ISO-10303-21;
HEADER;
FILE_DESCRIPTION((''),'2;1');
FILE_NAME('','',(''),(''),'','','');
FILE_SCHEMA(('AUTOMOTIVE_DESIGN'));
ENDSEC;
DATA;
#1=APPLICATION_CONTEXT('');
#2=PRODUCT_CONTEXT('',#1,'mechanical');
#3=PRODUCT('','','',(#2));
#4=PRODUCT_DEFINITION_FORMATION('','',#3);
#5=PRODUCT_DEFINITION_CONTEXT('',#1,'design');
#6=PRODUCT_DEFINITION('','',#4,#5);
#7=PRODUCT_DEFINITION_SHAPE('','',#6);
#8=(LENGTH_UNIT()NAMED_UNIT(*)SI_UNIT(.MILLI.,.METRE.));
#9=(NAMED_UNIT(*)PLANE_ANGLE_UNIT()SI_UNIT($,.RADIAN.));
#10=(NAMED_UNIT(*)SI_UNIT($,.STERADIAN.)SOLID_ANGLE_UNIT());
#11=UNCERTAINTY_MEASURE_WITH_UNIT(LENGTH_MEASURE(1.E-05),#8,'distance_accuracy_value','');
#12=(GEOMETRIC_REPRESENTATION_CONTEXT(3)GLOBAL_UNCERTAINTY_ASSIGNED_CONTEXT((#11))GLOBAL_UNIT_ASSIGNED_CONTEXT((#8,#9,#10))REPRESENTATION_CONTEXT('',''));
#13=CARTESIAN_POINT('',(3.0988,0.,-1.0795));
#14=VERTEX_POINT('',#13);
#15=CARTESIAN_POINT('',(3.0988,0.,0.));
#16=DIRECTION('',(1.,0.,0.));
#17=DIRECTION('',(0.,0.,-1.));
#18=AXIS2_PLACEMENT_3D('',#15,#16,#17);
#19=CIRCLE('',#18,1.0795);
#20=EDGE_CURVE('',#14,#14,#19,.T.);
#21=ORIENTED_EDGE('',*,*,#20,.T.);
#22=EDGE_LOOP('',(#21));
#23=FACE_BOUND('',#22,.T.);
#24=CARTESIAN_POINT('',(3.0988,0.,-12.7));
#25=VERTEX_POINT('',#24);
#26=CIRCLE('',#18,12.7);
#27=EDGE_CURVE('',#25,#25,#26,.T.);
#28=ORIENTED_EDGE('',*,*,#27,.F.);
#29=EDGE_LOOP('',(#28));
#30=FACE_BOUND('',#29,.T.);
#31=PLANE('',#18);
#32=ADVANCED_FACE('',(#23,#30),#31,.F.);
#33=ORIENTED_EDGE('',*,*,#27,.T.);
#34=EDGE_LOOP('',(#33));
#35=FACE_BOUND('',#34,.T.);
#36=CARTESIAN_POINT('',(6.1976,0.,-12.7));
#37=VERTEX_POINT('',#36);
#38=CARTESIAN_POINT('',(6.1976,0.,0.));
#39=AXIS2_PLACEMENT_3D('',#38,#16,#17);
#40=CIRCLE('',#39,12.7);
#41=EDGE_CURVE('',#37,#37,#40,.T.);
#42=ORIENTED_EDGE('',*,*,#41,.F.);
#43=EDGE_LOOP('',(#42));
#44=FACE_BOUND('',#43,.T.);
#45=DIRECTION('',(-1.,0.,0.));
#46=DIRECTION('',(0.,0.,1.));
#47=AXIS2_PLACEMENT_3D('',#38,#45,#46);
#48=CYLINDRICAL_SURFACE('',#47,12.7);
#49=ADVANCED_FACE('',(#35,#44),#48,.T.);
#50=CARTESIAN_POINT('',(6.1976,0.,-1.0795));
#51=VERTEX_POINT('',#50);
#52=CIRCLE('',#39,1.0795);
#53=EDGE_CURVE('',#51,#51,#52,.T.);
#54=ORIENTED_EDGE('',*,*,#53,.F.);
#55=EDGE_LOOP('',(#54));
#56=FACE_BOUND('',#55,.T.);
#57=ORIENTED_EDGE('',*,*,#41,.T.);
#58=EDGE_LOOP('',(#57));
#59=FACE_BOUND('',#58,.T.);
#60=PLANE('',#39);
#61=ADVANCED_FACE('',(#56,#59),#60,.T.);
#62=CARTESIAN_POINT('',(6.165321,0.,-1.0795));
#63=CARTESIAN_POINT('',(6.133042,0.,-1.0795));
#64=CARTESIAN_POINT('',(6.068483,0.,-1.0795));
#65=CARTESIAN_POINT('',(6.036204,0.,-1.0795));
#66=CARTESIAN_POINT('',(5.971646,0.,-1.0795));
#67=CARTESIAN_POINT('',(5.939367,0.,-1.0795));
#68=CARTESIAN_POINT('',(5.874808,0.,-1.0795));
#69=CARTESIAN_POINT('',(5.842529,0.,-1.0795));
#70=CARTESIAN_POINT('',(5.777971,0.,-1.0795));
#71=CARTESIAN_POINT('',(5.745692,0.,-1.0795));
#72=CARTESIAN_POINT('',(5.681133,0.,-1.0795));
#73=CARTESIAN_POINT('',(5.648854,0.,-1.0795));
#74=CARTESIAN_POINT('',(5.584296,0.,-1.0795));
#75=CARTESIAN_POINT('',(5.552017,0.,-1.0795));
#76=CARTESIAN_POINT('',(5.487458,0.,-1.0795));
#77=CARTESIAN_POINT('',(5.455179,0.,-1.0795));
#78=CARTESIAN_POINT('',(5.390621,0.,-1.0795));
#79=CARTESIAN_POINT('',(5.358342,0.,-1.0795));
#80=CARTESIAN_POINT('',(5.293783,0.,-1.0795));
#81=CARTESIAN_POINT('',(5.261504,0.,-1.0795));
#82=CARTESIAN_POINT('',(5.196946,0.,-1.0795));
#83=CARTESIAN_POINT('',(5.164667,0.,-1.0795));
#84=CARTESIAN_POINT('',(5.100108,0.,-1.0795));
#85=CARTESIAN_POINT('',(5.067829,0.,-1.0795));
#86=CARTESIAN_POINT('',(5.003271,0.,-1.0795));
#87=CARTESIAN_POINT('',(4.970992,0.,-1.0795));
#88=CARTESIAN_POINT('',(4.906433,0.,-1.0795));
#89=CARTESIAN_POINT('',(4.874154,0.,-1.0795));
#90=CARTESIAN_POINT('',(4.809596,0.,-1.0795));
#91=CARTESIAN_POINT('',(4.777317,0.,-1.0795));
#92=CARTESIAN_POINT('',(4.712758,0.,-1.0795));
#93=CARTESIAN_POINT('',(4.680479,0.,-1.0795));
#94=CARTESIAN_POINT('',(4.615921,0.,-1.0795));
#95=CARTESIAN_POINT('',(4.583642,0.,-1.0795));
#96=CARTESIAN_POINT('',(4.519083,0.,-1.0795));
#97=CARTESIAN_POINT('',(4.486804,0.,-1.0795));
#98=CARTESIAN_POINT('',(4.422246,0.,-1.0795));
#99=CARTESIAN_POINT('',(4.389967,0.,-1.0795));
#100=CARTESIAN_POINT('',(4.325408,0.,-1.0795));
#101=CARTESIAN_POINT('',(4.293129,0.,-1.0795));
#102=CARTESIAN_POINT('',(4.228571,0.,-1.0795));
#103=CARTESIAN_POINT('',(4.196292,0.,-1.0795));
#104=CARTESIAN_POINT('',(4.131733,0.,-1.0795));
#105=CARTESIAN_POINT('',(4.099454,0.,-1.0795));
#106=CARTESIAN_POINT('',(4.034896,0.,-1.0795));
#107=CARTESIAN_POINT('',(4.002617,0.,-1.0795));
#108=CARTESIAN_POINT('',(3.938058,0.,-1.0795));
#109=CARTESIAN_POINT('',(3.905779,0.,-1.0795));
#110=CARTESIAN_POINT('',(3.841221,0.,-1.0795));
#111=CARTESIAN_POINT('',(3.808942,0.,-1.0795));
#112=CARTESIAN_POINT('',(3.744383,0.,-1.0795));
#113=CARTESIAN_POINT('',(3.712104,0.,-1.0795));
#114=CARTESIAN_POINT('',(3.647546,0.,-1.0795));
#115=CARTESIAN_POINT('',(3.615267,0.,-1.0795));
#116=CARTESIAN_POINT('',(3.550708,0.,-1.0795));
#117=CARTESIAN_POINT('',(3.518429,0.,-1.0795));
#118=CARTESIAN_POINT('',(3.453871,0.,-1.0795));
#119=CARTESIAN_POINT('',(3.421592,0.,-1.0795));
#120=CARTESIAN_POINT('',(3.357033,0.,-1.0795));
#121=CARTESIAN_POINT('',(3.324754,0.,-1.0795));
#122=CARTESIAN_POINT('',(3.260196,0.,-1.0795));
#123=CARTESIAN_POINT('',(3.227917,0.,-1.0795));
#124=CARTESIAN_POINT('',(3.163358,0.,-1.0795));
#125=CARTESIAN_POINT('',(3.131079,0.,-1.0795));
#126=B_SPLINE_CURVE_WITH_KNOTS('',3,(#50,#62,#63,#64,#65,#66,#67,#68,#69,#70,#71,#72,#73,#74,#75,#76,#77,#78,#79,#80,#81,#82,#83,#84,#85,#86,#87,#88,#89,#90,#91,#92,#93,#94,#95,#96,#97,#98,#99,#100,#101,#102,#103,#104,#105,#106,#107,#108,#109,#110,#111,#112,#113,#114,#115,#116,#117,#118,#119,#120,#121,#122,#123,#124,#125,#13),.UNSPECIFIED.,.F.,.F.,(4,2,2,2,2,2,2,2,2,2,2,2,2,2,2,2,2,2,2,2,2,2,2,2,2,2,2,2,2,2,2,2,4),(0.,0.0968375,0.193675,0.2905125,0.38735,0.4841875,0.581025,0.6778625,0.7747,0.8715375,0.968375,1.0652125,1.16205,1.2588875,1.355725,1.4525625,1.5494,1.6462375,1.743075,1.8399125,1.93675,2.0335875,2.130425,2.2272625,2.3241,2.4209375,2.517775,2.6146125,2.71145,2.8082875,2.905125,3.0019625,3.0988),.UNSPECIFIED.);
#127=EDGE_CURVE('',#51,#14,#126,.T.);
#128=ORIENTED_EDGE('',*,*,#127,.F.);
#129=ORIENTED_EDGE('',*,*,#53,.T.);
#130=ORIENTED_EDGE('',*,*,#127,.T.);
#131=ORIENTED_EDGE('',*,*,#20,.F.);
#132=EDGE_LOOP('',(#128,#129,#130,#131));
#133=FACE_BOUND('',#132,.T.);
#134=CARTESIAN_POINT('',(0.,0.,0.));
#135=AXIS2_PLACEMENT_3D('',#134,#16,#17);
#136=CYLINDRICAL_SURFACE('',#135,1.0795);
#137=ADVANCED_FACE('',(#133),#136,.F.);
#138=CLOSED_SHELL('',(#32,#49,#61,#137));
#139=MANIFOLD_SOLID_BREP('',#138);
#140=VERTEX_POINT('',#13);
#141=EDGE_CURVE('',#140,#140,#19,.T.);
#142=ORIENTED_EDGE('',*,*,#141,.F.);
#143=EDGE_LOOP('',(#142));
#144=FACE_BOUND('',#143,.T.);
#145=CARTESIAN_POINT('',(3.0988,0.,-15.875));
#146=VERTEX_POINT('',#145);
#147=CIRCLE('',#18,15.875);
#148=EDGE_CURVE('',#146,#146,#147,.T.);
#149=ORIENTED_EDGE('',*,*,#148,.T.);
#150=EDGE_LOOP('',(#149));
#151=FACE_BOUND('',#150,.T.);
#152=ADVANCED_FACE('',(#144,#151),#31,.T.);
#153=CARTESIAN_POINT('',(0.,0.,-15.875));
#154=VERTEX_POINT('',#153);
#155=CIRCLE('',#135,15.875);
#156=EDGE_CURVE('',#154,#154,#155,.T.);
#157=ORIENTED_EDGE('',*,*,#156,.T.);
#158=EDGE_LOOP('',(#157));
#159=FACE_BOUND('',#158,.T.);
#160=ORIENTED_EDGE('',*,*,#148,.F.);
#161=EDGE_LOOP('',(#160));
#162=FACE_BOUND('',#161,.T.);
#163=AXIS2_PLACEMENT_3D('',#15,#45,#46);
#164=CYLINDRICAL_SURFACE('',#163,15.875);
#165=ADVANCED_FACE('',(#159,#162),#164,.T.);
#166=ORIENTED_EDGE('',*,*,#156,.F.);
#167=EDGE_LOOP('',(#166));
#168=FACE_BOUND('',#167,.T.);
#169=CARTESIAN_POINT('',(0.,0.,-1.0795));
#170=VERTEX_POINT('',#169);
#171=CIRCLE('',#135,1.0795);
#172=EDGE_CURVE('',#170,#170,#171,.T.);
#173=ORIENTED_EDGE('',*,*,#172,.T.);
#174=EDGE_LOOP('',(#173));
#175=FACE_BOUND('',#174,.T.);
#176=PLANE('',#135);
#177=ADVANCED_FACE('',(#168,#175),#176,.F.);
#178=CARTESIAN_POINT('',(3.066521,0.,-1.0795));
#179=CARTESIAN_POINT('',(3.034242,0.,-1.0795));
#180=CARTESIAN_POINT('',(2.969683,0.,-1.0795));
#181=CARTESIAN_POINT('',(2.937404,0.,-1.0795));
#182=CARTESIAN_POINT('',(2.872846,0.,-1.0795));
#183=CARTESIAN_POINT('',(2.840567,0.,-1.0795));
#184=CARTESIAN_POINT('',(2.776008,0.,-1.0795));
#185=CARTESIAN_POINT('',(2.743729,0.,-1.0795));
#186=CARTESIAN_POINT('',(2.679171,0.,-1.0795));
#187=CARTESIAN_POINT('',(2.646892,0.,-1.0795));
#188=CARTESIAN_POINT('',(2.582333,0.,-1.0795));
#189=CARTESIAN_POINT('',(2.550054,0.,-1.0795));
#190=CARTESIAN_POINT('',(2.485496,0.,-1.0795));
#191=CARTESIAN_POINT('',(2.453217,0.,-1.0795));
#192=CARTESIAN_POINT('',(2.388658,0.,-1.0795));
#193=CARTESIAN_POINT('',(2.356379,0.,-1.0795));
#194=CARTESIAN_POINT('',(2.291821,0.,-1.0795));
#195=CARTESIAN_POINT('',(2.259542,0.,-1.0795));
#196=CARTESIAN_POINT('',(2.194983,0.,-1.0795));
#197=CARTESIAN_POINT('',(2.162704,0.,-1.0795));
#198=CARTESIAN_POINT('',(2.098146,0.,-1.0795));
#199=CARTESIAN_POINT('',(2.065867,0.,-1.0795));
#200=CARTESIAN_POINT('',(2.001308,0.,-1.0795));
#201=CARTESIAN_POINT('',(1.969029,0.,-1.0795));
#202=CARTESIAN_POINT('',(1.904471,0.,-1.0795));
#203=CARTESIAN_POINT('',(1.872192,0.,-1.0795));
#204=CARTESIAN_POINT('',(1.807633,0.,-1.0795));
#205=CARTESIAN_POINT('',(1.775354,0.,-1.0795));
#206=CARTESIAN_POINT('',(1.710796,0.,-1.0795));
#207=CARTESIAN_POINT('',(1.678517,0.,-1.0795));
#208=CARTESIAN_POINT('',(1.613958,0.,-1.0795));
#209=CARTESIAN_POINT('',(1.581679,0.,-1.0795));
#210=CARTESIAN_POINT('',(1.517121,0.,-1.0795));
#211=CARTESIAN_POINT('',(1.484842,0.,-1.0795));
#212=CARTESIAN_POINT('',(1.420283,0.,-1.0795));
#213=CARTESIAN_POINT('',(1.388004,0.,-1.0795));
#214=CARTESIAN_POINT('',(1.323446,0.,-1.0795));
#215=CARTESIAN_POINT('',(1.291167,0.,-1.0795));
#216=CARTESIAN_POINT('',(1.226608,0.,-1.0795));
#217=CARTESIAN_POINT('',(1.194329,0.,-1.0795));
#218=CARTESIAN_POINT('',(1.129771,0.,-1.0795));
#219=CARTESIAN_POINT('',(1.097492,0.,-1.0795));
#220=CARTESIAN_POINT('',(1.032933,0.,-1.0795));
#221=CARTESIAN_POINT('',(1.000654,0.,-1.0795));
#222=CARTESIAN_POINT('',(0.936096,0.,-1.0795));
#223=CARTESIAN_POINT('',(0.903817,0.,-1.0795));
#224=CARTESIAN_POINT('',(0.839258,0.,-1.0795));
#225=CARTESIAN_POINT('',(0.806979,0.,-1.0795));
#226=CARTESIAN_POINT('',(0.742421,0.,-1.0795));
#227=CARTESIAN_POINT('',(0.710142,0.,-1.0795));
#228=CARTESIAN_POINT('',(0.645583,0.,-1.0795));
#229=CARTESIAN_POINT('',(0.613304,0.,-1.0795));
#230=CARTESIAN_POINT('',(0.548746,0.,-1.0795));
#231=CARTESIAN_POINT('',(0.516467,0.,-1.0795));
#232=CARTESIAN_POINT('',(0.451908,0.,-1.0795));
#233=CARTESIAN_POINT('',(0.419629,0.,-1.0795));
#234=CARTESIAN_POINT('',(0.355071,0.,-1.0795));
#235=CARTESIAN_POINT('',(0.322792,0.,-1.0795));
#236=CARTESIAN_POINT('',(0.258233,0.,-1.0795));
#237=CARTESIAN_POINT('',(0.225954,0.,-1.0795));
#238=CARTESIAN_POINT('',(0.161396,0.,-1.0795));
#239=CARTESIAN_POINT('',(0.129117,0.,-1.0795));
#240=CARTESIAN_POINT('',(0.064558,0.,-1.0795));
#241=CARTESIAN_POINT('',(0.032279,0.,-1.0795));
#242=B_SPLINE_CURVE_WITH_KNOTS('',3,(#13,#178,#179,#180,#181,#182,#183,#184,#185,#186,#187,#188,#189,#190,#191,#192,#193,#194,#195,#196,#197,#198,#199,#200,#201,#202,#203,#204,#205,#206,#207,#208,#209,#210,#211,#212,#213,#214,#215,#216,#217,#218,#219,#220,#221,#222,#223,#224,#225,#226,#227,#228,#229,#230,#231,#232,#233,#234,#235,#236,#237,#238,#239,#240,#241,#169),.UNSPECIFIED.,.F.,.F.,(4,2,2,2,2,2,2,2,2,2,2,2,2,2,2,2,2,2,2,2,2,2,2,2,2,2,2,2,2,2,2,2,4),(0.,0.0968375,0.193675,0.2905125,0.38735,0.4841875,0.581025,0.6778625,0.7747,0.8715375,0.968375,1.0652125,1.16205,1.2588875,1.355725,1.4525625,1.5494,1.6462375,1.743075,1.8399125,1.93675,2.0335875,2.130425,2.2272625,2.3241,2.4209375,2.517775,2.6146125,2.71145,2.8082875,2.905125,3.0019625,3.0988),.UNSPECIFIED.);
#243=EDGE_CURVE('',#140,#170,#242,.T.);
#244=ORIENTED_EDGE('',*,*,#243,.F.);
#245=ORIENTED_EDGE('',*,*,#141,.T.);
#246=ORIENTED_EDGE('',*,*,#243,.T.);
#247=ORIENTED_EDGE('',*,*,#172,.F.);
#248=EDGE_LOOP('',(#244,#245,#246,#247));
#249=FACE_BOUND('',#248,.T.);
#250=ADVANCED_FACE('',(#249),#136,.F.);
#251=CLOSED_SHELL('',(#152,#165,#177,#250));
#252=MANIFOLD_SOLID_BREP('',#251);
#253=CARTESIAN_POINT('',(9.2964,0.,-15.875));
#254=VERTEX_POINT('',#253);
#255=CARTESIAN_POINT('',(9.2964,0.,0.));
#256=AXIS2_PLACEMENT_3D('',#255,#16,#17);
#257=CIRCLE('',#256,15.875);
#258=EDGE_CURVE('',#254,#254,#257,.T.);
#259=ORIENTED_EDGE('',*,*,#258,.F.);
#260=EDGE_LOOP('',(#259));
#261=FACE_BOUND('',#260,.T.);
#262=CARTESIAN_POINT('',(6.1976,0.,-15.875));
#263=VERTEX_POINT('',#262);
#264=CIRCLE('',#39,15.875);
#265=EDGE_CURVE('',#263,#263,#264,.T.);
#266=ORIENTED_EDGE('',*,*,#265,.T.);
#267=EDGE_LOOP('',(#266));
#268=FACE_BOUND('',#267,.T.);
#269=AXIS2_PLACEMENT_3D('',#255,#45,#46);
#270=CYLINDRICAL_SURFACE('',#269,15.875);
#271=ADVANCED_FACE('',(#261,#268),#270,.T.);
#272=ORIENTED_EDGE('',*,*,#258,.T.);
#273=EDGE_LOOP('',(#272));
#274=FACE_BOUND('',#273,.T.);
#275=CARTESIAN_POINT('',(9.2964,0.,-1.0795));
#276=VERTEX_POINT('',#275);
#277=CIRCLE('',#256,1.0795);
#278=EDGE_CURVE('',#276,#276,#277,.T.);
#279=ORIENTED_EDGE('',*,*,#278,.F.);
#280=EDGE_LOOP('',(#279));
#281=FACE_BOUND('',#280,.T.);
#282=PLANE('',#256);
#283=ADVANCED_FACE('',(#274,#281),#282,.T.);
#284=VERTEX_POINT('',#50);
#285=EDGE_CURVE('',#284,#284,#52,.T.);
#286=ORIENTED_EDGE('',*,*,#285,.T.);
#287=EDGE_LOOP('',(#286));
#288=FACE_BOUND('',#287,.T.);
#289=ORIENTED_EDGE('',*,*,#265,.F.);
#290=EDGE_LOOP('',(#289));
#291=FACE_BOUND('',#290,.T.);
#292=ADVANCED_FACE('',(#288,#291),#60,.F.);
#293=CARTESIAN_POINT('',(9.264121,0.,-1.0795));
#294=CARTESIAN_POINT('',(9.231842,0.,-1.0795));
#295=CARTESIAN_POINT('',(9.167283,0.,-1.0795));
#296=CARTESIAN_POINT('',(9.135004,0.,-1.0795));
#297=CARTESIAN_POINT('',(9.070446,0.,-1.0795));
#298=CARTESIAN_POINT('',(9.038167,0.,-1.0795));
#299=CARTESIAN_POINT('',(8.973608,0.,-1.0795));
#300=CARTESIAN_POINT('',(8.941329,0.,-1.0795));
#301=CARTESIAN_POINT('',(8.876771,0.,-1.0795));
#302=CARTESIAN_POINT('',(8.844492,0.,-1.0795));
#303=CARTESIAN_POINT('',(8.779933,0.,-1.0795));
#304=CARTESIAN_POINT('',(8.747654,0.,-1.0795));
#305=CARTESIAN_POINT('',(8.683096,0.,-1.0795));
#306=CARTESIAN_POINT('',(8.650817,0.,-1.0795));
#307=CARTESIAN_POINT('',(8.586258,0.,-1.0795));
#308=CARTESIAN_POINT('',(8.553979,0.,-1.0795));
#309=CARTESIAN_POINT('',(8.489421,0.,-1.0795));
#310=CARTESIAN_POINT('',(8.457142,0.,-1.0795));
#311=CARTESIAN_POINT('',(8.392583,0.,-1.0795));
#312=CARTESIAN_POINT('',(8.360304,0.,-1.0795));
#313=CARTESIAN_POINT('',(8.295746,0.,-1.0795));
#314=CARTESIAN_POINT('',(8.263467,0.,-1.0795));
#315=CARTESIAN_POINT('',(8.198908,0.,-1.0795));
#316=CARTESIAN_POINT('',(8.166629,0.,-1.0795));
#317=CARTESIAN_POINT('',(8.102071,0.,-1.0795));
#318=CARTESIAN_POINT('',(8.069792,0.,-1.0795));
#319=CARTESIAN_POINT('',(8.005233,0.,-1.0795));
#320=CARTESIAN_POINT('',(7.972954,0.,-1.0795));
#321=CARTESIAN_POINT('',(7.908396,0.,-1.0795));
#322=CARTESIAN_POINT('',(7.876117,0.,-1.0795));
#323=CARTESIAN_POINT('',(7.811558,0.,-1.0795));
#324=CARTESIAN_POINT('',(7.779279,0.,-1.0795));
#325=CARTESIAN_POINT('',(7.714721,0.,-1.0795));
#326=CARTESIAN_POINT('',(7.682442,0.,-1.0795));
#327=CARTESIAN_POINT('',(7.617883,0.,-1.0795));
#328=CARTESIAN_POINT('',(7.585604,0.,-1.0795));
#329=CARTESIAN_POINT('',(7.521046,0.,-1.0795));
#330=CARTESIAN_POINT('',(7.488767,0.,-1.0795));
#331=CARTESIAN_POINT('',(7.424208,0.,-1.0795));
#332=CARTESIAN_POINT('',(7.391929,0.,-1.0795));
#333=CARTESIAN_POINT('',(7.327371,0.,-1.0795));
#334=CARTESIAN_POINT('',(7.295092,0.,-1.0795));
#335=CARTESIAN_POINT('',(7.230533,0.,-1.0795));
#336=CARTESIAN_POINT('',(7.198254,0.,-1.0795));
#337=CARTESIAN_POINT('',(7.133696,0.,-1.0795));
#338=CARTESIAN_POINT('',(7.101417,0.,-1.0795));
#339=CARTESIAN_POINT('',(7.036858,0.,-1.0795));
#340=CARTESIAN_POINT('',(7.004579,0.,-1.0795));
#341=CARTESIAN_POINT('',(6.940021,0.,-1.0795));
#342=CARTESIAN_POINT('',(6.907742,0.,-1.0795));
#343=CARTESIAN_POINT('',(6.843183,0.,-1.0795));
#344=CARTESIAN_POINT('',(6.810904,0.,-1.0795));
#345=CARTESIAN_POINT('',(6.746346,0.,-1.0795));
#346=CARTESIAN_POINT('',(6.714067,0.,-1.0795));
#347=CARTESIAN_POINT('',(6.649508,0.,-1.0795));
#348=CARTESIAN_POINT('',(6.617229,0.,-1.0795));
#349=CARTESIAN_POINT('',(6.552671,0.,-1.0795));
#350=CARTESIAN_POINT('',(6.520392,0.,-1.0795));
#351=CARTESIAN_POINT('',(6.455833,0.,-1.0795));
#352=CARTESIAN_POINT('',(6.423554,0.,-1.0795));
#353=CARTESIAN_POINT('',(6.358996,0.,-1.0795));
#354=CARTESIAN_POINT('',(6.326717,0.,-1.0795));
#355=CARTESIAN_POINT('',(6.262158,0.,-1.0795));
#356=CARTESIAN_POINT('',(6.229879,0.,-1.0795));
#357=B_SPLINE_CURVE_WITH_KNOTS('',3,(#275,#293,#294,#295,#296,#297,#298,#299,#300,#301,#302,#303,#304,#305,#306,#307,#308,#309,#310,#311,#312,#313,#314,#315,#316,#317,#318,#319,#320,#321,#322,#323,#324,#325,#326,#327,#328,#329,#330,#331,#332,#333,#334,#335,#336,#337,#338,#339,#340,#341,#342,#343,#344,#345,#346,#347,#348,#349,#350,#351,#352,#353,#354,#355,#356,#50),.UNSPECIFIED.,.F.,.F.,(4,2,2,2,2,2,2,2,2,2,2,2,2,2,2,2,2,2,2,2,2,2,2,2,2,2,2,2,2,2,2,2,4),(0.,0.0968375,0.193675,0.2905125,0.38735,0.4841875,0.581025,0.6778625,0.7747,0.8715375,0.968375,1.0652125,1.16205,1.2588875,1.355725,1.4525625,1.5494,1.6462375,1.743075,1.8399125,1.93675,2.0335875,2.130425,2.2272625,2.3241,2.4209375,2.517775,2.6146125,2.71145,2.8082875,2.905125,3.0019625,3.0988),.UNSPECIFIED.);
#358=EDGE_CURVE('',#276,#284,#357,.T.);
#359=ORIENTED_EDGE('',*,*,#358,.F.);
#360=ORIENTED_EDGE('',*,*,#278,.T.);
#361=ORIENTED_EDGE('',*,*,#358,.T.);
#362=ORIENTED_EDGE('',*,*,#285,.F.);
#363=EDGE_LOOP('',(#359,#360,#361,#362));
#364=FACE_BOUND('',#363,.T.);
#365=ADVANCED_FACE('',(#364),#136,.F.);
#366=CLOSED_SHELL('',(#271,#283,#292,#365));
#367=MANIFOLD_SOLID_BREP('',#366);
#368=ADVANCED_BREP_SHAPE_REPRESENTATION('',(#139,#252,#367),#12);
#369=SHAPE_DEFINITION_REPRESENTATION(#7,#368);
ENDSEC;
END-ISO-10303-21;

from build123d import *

# Parameters (mm, degrees)
SKETCH3_R           = 15.875
BOSS_EXTRUDE1_DEPTH = 3.0988
SKETCH5_R           = 12.7
BOSS_EXTRUDE2_DEPTH = 3.0988
SKETCH6_R           = 15.875
BOSS_EXTRUDE3_DEPTH = 3.0988
SKETCH7_R           = 1.0795
CUT_EXTRUDE1_DEPTH  = 25.299265482


with BuildPart() as part:
    # Sketch3 → Boss-Extrude1 (new body)
    with BuildSketch(Plane(origin=(0, 0, 0), x_dir=(0, 0, -1), z_dir=(1, 0, 0))):
        Circle(SKETCH3_R)
    extrude(amount=BOSS_EXTRUDE1_DEPTH)


with BuildPart() as body_2:
    # Sketch5 → Boss-Extrude2 (new body)
    with BuildSketch(Plane(origin=(3.0988, 0, 0), x_dir=(0, 0, -1), z_dir=(1, 0, 0))):
        Circle(SKETCH5_R)
    extrude(amount=BOSS_EXTRUDE2_DEPTH)


with BuildPart() as body_3:
    # Sketch6 → Boss-Extrude3 (new body)
    with BuildSketch(Plane(origin=(6.1976, 0, 0), x_dir=(0, 0, -1), z_dir=(1, 0, 0))):
        Circle(SKETCH6_R)
    extrude(amount=BOSS_EXTRUDE3_DEPTH)


with BuildPart() as cut_extrude1_tool:
    # Sketch7 → Cut-Extrude1 (new, through all)
    with BuildSketch(Plane(origin=(9.2964, 0, 0), x_dir=(0, 0, -1), z_dir=(1, 0, 0))):
        Circle(SKETCH7_R)
    extrude(amount=-CUT_EXTRUDE1_DEPTH)


with BuildPart() as part_1:
    add(part.part)

    # Cut-Extrude1: cut by cut_extrude1_tool
    add(cut_extrude1_tool.part, mode=Mode.SUBTRACT)


with BuildPart() as body_2_1:
    add(body_2.part)

    # Cut-Extrude1: cut by cut_extrude1_tool
    add(cut_extrude1_tool.part, mode=Mode.SUBTRACT)


with BuildPart() as body_3_1:
    add(body_3.part)

    # Cut-Extrude1: cut by cut_extrude1_tool
    add(cut_extrude1_tool.part, mode=Mode.SUBTRACT)


solid = Compound([part_1.part, body_2_1.part, body_3_1.part])
